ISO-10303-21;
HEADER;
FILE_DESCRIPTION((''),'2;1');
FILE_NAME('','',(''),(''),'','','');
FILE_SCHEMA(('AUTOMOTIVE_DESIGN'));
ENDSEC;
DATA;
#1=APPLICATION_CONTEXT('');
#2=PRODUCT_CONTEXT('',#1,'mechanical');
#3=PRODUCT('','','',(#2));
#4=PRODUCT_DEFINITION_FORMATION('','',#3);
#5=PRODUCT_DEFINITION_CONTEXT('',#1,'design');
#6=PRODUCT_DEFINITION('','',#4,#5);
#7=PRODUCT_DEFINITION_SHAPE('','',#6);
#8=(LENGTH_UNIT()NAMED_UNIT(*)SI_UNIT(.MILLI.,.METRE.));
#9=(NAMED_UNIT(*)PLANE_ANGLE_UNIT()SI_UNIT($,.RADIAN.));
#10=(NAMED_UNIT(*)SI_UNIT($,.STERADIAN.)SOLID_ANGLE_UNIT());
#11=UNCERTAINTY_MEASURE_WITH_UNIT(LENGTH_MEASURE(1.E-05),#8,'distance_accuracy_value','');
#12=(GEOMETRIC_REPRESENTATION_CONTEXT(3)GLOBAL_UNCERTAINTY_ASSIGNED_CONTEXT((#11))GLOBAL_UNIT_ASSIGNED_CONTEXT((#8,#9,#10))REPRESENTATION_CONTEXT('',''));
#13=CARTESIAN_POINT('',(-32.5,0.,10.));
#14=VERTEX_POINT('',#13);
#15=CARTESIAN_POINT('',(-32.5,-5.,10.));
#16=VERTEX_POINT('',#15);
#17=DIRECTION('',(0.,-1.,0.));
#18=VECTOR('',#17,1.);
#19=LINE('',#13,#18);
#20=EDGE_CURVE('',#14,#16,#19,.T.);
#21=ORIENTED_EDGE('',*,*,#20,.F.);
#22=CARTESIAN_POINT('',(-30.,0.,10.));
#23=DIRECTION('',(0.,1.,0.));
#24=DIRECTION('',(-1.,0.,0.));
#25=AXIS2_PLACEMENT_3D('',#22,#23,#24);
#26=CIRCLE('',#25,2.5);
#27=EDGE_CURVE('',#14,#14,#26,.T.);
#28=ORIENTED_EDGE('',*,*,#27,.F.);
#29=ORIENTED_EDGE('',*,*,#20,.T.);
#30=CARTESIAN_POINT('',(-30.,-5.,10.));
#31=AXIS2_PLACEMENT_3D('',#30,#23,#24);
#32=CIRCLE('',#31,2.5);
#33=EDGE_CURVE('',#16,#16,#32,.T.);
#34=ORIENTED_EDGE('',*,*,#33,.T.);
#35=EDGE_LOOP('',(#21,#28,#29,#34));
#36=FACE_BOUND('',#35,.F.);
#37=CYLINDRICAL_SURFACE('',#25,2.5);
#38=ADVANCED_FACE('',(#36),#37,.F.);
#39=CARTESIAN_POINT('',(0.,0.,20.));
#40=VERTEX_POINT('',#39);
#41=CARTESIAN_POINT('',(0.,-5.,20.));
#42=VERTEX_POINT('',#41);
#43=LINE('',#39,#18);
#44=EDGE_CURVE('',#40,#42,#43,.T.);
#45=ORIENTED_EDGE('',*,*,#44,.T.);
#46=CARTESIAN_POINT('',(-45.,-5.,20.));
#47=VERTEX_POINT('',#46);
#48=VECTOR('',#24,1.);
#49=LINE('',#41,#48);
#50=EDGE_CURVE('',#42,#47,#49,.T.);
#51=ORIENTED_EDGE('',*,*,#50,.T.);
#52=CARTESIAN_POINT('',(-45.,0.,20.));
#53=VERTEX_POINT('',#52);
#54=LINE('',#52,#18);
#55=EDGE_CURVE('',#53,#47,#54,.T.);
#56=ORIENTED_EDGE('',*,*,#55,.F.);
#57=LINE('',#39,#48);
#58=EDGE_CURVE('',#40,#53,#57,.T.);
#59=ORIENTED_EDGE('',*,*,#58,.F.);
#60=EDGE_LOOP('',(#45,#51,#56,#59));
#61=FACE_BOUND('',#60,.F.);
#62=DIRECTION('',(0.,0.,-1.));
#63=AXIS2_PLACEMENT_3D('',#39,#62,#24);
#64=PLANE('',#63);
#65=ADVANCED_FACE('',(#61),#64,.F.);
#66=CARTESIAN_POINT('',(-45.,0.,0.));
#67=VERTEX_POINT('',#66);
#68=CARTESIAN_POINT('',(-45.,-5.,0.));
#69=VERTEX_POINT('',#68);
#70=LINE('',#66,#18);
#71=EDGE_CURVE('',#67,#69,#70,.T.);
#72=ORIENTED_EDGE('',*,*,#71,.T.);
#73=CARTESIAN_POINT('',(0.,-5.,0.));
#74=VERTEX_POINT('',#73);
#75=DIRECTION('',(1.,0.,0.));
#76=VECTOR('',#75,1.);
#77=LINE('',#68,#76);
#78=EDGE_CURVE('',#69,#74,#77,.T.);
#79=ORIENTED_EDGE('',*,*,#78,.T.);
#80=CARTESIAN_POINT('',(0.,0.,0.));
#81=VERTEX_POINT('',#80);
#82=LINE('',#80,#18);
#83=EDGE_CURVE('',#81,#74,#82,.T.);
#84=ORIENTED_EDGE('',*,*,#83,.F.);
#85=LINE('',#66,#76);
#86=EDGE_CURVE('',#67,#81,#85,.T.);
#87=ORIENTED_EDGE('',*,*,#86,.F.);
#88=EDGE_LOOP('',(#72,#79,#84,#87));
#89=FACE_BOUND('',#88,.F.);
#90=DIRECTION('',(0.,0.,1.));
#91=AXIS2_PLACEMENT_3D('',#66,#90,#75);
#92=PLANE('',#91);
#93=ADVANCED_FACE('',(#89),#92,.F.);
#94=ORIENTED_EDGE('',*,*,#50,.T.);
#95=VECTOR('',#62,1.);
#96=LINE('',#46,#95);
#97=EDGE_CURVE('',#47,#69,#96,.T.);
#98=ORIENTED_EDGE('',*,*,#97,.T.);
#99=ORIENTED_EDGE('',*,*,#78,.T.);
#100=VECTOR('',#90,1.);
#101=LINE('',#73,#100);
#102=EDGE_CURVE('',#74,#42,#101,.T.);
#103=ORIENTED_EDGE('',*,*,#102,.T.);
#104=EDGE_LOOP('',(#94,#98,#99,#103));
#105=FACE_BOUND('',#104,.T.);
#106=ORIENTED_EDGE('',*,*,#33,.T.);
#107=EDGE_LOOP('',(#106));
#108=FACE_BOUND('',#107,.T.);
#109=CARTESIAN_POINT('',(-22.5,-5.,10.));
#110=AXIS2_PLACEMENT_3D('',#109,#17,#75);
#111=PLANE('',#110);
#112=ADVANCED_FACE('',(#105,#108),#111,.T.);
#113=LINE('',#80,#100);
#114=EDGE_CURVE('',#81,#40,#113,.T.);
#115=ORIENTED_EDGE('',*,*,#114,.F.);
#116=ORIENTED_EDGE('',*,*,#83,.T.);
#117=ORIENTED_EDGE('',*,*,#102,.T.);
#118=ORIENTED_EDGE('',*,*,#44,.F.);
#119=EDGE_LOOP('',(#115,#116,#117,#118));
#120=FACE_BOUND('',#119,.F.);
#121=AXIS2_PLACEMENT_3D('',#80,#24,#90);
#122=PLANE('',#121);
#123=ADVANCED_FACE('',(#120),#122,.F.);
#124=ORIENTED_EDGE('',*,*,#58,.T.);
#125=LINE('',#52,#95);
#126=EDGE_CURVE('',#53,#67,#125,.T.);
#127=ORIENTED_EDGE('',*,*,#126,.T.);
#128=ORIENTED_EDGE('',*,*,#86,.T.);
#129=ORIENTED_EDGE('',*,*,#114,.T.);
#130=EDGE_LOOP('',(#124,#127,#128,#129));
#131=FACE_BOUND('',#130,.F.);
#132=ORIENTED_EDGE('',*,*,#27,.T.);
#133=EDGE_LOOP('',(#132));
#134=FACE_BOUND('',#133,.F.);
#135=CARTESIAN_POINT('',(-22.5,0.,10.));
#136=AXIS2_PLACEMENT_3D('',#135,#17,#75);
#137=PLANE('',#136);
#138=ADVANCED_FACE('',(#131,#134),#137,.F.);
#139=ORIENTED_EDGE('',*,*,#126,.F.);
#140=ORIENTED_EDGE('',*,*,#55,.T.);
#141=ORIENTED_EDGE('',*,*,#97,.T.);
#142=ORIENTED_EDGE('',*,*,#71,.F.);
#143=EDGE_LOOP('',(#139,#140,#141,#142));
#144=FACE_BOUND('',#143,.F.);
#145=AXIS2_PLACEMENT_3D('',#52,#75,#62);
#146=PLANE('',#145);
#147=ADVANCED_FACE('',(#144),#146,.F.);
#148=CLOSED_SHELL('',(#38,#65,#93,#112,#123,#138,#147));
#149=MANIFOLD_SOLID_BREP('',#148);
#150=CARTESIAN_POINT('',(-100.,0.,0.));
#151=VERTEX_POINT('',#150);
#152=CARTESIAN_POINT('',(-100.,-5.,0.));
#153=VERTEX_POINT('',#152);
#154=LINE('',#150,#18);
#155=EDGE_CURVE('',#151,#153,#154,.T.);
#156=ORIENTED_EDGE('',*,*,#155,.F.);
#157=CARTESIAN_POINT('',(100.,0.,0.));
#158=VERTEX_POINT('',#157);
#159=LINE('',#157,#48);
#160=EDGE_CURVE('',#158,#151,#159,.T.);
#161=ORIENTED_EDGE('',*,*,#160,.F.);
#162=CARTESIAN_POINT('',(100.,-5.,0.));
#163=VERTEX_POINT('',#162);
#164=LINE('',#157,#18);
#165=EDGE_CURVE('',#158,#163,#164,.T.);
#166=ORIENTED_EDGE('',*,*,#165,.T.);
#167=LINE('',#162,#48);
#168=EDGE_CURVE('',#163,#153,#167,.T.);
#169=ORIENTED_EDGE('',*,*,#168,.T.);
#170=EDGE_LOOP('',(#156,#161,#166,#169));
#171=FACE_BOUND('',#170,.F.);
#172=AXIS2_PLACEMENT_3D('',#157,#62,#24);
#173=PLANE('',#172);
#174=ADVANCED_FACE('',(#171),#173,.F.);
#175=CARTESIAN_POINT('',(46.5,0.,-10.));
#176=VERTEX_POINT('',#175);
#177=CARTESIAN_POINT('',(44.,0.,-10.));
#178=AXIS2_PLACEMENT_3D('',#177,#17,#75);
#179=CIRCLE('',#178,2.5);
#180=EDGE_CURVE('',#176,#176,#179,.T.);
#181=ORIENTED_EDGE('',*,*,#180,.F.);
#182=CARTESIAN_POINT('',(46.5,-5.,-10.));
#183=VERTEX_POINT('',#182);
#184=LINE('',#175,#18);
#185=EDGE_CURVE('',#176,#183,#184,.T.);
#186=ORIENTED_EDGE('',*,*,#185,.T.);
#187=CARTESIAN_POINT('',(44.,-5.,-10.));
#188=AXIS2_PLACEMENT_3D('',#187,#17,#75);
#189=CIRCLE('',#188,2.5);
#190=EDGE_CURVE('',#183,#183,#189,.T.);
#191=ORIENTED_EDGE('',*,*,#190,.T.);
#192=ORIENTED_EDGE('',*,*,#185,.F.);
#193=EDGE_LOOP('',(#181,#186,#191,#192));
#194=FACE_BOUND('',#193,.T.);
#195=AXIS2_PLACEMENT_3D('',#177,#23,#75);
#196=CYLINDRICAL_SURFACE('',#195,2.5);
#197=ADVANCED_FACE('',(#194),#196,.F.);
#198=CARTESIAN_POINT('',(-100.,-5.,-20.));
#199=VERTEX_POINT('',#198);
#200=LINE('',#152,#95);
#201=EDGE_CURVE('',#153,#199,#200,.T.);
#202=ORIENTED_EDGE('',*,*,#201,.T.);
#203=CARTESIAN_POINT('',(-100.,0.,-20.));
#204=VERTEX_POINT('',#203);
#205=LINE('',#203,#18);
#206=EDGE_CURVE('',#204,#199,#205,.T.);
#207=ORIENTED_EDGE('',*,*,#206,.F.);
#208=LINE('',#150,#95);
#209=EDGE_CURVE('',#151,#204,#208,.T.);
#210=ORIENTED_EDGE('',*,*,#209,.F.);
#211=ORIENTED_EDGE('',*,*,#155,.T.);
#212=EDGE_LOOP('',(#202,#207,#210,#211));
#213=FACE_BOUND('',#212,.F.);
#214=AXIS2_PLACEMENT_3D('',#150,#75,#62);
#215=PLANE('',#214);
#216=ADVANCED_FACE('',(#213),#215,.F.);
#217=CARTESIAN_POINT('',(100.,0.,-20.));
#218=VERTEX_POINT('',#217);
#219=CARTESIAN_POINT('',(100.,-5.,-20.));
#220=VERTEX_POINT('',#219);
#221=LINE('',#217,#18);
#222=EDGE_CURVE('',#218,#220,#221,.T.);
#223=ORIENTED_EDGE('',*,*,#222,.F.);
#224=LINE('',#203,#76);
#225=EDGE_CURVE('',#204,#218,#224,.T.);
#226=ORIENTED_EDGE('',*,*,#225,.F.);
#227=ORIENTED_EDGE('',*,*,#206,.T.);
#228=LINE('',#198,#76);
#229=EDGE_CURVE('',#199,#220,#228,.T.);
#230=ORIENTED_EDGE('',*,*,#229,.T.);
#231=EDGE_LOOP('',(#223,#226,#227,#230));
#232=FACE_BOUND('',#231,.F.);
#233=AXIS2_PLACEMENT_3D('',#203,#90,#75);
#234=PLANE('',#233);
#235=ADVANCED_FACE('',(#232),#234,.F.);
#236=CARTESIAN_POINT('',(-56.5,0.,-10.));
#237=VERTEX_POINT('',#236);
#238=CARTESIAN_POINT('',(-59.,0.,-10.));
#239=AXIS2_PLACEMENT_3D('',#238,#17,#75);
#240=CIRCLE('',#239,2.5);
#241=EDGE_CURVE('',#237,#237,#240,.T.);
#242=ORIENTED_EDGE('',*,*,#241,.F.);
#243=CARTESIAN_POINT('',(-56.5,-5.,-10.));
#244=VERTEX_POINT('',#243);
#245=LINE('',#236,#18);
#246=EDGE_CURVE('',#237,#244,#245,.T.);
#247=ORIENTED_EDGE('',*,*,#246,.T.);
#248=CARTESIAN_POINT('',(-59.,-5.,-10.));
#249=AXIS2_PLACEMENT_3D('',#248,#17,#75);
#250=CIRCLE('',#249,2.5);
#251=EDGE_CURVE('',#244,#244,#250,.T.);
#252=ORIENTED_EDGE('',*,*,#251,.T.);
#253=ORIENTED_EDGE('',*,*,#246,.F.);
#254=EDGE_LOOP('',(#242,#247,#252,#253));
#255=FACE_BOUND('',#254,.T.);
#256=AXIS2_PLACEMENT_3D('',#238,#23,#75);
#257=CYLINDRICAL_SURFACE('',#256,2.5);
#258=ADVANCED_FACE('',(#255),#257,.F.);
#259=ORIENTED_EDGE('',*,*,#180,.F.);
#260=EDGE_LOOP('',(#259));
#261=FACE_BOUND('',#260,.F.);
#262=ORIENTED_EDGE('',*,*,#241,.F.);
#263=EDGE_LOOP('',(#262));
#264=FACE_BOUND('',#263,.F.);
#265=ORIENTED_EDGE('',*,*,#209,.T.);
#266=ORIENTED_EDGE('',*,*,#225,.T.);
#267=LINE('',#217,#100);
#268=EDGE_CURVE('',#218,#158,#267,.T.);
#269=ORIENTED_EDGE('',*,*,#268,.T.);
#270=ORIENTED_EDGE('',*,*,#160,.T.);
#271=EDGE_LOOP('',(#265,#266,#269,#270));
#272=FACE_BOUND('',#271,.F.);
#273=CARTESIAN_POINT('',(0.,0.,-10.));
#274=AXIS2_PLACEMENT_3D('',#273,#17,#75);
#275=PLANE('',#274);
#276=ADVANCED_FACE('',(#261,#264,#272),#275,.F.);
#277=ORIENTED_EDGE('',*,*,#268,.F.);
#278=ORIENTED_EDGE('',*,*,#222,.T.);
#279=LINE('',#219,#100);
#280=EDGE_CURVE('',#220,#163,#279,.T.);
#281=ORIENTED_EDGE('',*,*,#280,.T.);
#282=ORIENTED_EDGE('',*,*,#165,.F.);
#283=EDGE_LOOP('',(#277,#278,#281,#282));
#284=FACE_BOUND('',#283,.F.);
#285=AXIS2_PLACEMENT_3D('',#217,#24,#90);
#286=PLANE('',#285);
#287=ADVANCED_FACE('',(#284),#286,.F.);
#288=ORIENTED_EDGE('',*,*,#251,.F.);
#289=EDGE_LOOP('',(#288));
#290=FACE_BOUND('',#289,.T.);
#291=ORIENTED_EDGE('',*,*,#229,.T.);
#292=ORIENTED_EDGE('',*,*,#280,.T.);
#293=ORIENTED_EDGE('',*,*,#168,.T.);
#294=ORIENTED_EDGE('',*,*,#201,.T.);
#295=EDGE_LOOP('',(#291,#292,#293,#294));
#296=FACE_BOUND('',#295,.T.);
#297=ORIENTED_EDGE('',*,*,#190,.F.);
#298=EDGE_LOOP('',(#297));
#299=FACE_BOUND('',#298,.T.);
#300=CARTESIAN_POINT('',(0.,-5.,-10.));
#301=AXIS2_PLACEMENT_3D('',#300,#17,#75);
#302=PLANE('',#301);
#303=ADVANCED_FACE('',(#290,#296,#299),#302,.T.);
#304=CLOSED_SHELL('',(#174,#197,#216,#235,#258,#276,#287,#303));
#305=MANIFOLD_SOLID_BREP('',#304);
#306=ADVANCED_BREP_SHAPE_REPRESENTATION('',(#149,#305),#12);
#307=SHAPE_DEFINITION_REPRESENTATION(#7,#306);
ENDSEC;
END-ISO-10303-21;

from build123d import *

# Parameters (mm, degrees)
F0_R     = 2.5
F1_DEPTH = 5
F3_DEPTH = 5


with BuildPart() as f1:
    # F0 (on Front) → F1 (new body)
    with BuildSketch(Plane.XZ):
        Polygon((100, 0), (0, 0), (-100, 0), (-100, -20), (100, -20), align=None)
        with Locations((-59, -10)):
            Circle(F0_R, mode=Mode.SUBTRACT)
        with Locations((44, -10)):
            Circle(F0_R, mode=Mode.SUBTRACT)
    extrude(amount=F1_DEPTH)


with BuildPart() as f3:
    # F2 (on Front) → F3 (new body)
    with BuildSketch(Plane.XZ):
        Polygon((-45, 0), (0, 0), (0, 20), (-45, 20), (-45, 10), align=None)
        with BuildLine():
            ThreePointArc((-27.5, 10), (-30, 7.5), (-32.5, 10))
            ThreePointArc((-32.5, 10), (-30, 12.5), (-27.5, 10))
        make_face(mode=Mode.SUBTRACT)
    extrude(amount=F3_DEPTH)


solid = Compound([f1.part, f3.part])
